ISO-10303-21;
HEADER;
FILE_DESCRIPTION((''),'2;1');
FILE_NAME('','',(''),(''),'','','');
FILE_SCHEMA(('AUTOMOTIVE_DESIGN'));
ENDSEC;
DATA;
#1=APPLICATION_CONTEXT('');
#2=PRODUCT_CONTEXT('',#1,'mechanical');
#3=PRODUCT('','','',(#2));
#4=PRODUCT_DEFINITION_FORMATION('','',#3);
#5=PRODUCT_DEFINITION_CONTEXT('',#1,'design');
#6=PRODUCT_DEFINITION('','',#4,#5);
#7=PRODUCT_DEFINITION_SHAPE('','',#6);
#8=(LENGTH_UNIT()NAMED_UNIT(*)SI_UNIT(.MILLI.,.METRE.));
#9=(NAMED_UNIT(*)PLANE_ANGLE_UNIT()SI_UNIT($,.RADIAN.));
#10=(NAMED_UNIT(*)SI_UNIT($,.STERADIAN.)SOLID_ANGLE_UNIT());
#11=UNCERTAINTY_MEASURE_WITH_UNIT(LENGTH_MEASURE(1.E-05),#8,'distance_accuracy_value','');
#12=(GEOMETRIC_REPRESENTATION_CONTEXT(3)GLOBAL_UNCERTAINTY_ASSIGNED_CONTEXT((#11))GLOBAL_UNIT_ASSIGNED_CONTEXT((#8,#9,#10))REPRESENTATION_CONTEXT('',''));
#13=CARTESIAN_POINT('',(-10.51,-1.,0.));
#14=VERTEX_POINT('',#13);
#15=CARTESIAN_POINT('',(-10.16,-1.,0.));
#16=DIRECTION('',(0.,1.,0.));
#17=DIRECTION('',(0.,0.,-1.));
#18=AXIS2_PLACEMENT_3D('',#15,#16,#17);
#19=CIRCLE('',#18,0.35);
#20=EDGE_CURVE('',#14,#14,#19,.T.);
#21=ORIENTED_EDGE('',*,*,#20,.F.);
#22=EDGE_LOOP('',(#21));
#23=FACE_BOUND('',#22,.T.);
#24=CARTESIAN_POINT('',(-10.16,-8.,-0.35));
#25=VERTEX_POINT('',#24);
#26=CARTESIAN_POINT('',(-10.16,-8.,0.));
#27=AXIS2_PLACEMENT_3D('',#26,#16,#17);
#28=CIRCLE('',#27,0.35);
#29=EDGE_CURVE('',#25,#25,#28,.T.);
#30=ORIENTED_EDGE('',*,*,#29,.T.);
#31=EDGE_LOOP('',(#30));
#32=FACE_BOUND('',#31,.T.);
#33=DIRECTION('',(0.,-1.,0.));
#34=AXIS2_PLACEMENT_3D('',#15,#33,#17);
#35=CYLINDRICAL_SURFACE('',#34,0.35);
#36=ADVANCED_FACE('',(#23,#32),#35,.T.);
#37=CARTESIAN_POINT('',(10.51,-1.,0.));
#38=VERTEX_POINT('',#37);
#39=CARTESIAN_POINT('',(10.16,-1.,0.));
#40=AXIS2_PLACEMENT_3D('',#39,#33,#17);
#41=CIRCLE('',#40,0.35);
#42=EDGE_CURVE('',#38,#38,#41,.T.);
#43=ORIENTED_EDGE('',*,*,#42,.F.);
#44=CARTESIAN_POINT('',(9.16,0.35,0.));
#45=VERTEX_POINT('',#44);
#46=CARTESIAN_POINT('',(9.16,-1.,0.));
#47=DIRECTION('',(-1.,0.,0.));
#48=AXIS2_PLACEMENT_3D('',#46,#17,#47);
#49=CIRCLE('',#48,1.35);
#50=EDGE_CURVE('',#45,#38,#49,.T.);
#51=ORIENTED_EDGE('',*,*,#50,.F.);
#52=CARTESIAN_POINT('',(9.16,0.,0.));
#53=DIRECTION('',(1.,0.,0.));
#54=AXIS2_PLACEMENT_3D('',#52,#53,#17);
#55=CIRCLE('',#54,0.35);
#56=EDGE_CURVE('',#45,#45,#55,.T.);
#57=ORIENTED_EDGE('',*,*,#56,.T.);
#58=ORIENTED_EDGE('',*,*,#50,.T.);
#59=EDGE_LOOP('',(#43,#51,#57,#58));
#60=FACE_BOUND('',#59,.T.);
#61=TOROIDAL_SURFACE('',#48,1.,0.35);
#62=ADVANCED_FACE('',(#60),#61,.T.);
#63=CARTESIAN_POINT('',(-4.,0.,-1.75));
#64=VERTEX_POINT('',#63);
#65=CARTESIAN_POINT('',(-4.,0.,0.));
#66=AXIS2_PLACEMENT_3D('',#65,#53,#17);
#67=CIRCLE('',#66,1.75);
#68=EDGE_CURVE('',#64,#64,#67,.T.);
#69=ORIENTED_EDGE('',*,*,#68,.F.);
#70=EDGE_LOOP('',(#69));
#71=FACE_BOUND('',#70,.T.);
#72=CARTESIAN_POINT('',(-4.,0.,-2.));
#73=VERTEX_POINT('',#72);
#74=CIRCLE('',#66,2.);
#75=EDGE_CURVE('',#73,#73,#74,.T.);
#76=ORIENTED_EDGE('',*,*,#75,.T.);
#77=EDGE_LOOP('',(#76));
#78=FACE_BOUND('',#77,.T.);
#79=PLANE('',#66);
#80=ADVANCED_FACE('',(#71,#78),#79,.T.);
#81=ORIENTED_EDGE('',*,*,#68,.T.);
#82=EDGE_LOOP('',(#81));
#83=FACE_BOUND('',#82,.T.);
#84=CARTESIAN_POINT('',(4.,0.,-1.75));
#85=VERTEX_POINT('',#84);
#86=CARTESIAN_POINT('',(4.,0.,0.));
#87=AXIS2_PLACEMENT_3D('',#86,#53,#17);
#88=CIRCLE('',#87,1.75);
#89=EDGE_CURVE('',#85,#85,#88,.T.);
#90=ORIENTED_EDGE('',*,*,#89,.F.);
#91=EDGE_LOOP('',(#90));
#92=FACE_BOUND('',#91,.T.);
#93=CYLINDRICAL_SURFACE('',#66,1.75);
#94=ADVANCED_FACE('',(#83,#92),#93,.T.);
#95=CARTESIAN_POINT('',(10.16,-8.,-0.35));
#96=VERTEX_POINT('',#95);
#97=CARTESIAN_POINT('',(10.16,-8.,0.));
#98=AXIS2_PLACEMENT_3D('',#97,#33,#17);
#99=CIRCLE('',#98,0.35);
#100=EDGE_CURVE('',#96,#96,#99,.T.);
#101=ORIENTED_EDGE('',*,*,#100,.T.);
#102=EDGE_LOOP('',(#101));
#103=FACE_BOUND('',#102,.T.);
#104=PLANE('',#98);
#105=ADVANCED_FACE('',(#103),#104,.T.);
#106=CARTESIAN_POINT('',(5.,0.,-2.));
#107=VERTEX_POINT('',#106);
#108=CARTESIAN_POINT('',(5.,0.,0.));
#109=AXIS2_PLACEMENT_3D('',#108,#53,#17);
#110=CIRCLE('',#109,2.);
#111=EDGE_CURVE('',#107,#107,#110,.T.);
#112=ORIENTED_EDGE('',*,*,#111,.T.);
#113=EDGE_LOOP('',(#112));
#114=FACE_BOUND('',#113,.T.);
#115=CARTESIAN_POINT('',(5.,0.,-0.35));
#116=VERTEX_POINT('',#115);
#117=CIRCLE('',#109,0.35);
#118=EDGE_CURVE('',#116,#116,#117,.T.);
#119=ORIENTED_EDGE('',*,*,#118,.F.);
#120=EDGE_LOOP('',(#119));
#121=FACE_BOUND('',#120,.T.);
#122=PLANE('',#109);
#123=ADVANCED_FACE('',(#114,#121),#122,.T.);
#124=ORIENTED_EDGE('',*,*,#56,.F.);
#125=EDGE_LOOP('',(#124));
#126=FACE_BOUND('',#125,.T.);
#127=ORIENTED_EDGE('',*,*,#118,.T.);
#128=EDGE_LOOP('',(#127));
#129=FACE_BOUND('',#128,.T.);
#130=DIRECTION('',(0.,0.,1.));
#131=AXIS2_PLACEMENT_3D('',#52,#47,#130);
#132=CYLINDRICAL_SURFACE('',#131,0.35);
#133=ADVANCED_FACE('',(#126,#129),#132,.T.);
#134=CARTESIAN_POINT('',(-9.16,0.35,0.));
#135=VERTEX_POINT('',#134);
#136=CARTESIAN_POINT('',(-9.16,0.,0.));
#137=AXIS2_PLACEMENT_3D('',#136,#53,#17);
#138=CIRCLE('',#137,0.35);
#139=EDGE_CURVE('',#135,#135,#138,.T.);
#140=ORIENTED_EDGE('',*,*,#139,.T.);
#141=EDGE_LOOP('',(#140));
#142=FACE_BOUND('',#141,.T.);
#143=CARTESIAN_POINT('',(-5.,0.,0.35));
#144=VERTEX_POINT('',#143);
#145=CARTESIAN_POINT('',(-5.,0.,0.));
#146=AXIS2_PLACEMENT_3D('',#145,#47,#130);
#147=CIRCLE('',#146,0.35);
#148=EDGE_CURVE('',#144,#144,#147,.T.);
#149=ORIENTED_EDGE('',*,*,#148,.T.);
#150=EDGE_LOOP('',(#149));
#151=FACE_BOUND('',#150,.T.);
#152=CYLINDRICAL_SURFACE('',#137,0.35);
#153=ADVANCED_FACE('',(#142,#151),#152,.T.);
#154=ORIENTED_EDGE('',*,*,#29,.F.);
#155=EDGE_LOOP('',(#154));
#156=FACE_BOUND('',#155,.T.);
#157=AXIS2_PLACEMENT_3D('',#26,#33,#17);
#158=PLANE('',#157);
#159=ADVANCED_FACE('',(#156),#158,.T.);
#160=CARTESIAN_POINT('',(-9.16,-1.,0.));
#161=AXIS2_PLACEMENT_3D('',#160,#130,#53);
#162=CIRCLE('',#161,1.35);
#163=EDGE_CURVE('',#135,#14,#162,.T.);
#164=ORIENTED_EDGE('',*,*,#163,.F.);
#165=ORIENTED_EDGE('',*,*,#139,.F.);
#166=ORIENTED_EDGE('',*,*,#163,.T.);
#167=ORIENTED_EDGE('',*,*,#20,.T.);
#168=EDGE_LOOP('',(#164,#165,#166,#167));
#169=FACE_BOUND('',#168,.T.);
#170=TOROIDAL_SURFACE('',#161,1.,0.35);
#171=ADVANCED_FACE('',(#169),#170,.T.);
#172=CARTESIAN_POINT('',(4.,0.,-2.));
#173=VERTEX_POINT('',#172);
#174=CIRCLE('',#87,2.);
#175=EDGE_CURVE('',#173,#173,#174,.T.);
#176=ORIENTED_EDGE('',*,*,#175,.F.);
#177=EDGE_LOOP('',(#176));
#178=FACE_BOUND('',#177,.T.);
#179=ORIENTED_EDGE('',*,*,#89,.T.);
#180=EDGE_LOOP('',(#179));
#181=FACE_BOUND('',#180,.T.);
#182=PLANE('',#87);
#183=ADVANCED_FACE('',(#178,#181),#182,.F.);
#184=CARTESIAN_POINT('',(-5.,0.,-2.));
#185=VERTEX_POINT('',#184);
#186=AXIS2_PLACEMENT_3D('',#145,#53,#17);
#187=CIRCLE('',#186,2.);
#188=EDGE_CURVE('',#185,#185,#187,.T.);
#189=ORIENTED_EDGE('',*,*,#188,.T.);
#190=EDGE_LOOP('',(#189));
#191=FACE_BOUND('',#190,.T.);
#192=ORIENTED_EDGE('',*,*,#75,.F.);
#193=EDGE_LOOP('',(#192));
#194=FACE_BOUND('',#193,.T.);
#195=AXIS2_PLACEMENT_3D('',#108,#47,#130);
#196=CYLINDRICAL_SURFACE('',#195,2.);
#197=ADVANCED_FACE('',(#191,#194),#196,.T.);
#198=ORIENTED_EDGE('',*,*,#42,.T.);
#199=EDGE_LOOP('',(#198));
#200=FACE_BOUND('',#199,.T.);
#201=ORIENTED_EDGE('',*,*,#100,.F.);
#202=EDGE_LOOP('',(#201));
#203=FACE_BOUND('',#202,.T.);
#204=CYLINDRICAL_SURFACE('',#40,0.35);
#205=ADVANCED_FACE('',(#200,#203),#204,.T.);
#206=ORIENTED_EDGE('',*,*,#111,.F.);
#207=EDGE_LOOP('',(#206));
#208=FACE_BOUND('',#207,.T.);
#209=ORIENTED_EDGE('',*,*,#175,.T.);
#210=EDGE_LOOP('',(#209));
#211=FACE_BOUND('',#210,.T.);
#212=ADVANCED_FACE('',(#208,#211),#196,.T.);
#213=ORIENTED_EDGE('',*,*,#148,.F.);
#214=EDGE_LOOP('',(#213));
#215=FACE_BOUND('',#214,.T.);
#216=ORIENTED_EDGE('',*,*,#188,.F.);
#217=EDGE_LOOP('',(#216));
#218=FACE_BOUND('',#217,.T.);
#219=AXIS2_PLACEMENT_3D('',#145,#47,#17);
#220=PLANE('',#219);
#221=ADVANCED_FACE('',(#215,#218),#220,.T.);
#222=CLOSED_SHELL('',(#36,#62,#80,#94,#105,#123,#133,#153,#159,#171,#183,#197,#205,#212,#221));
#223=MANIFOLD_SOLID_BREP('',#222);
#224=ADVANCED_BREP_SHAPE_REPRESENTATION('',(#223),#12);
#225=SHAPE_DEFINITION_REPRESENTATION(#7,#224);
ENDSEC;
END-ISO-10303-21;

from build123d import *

# Parameters (mm, degrees)
SKETCH_1_R          = 2
EXTRUDE_1_DEPTH     = 5
SKETCH_2_R          = 0.35
SKETCH_5_R          = 2.75
SKETCH_5_R_2        = 1.75
CUT_EXTRUDE_1_DEPTH = 4


with BuildPart() as part:
    # Эскиз1 → Бобышка-Вытянуть1 (new body)
    with BuildSketch(Plane(origin=(0, 0, 0), x_dir=(0, 0, -1), z_dir=(1, 0, 0))):
        Circle(SKETCH_1_R)
    extrude_1 = extrude(amount=EXTRUDE_1_DEPTH)

    # По траектории1: sweep along a path in Эскиз3
    with BuildLine(Plane.XY) as sweep_1_path:
        Line((5, 0), (9.16, 0))
        ThreePointArc((9.16, 0), (9.867106781, -0.292893219), (10.16, -1))
        Line((10.16, -1), (10.16, -8))
    # Эскиз2 → По траектории1 (sweep)
    with BuildSketch(Plane(origin=(5, 0, 0), x_dir=(0, 0, -1), z_dir=(1, 0, 0))):
        Circle(SKETCH_2_R)
    sweep_1 = sweep(path=sweep_1_path.line)

    # Зеркальное отражение1: Бобышка-Вытянуть1, По траектории1 across Right Plane
    add(extrude_1.mirror(Plane(origin=(0, 0, 0), x_dir=(0, 0, -1), z_dir=(1, 0, 0))))
    add(sweep_1.mirror(Plane(origin=(0, 0, 0), x_dir=(0, 0, -1), z_dir=(1, 0, 0))))

    # Эскиз5 → Вырез-Вытянуть-Тонкостенный1 (cut, symmetric)
    with BuildSketch(Plane(origin=(0, 0, 0), x_dir=(0, 0, -1), z_dir=(1, 0, 0))):
        Circle(SKETCH_5_R)
        Circle(SKETCH_5_R_2, mode=Mode.SUBTRACT)
    extrude(amount=CUT_EXTRUDE_1_DEPTH, both=True, mode=Mode.SUBTRACT)


solid = part.part
